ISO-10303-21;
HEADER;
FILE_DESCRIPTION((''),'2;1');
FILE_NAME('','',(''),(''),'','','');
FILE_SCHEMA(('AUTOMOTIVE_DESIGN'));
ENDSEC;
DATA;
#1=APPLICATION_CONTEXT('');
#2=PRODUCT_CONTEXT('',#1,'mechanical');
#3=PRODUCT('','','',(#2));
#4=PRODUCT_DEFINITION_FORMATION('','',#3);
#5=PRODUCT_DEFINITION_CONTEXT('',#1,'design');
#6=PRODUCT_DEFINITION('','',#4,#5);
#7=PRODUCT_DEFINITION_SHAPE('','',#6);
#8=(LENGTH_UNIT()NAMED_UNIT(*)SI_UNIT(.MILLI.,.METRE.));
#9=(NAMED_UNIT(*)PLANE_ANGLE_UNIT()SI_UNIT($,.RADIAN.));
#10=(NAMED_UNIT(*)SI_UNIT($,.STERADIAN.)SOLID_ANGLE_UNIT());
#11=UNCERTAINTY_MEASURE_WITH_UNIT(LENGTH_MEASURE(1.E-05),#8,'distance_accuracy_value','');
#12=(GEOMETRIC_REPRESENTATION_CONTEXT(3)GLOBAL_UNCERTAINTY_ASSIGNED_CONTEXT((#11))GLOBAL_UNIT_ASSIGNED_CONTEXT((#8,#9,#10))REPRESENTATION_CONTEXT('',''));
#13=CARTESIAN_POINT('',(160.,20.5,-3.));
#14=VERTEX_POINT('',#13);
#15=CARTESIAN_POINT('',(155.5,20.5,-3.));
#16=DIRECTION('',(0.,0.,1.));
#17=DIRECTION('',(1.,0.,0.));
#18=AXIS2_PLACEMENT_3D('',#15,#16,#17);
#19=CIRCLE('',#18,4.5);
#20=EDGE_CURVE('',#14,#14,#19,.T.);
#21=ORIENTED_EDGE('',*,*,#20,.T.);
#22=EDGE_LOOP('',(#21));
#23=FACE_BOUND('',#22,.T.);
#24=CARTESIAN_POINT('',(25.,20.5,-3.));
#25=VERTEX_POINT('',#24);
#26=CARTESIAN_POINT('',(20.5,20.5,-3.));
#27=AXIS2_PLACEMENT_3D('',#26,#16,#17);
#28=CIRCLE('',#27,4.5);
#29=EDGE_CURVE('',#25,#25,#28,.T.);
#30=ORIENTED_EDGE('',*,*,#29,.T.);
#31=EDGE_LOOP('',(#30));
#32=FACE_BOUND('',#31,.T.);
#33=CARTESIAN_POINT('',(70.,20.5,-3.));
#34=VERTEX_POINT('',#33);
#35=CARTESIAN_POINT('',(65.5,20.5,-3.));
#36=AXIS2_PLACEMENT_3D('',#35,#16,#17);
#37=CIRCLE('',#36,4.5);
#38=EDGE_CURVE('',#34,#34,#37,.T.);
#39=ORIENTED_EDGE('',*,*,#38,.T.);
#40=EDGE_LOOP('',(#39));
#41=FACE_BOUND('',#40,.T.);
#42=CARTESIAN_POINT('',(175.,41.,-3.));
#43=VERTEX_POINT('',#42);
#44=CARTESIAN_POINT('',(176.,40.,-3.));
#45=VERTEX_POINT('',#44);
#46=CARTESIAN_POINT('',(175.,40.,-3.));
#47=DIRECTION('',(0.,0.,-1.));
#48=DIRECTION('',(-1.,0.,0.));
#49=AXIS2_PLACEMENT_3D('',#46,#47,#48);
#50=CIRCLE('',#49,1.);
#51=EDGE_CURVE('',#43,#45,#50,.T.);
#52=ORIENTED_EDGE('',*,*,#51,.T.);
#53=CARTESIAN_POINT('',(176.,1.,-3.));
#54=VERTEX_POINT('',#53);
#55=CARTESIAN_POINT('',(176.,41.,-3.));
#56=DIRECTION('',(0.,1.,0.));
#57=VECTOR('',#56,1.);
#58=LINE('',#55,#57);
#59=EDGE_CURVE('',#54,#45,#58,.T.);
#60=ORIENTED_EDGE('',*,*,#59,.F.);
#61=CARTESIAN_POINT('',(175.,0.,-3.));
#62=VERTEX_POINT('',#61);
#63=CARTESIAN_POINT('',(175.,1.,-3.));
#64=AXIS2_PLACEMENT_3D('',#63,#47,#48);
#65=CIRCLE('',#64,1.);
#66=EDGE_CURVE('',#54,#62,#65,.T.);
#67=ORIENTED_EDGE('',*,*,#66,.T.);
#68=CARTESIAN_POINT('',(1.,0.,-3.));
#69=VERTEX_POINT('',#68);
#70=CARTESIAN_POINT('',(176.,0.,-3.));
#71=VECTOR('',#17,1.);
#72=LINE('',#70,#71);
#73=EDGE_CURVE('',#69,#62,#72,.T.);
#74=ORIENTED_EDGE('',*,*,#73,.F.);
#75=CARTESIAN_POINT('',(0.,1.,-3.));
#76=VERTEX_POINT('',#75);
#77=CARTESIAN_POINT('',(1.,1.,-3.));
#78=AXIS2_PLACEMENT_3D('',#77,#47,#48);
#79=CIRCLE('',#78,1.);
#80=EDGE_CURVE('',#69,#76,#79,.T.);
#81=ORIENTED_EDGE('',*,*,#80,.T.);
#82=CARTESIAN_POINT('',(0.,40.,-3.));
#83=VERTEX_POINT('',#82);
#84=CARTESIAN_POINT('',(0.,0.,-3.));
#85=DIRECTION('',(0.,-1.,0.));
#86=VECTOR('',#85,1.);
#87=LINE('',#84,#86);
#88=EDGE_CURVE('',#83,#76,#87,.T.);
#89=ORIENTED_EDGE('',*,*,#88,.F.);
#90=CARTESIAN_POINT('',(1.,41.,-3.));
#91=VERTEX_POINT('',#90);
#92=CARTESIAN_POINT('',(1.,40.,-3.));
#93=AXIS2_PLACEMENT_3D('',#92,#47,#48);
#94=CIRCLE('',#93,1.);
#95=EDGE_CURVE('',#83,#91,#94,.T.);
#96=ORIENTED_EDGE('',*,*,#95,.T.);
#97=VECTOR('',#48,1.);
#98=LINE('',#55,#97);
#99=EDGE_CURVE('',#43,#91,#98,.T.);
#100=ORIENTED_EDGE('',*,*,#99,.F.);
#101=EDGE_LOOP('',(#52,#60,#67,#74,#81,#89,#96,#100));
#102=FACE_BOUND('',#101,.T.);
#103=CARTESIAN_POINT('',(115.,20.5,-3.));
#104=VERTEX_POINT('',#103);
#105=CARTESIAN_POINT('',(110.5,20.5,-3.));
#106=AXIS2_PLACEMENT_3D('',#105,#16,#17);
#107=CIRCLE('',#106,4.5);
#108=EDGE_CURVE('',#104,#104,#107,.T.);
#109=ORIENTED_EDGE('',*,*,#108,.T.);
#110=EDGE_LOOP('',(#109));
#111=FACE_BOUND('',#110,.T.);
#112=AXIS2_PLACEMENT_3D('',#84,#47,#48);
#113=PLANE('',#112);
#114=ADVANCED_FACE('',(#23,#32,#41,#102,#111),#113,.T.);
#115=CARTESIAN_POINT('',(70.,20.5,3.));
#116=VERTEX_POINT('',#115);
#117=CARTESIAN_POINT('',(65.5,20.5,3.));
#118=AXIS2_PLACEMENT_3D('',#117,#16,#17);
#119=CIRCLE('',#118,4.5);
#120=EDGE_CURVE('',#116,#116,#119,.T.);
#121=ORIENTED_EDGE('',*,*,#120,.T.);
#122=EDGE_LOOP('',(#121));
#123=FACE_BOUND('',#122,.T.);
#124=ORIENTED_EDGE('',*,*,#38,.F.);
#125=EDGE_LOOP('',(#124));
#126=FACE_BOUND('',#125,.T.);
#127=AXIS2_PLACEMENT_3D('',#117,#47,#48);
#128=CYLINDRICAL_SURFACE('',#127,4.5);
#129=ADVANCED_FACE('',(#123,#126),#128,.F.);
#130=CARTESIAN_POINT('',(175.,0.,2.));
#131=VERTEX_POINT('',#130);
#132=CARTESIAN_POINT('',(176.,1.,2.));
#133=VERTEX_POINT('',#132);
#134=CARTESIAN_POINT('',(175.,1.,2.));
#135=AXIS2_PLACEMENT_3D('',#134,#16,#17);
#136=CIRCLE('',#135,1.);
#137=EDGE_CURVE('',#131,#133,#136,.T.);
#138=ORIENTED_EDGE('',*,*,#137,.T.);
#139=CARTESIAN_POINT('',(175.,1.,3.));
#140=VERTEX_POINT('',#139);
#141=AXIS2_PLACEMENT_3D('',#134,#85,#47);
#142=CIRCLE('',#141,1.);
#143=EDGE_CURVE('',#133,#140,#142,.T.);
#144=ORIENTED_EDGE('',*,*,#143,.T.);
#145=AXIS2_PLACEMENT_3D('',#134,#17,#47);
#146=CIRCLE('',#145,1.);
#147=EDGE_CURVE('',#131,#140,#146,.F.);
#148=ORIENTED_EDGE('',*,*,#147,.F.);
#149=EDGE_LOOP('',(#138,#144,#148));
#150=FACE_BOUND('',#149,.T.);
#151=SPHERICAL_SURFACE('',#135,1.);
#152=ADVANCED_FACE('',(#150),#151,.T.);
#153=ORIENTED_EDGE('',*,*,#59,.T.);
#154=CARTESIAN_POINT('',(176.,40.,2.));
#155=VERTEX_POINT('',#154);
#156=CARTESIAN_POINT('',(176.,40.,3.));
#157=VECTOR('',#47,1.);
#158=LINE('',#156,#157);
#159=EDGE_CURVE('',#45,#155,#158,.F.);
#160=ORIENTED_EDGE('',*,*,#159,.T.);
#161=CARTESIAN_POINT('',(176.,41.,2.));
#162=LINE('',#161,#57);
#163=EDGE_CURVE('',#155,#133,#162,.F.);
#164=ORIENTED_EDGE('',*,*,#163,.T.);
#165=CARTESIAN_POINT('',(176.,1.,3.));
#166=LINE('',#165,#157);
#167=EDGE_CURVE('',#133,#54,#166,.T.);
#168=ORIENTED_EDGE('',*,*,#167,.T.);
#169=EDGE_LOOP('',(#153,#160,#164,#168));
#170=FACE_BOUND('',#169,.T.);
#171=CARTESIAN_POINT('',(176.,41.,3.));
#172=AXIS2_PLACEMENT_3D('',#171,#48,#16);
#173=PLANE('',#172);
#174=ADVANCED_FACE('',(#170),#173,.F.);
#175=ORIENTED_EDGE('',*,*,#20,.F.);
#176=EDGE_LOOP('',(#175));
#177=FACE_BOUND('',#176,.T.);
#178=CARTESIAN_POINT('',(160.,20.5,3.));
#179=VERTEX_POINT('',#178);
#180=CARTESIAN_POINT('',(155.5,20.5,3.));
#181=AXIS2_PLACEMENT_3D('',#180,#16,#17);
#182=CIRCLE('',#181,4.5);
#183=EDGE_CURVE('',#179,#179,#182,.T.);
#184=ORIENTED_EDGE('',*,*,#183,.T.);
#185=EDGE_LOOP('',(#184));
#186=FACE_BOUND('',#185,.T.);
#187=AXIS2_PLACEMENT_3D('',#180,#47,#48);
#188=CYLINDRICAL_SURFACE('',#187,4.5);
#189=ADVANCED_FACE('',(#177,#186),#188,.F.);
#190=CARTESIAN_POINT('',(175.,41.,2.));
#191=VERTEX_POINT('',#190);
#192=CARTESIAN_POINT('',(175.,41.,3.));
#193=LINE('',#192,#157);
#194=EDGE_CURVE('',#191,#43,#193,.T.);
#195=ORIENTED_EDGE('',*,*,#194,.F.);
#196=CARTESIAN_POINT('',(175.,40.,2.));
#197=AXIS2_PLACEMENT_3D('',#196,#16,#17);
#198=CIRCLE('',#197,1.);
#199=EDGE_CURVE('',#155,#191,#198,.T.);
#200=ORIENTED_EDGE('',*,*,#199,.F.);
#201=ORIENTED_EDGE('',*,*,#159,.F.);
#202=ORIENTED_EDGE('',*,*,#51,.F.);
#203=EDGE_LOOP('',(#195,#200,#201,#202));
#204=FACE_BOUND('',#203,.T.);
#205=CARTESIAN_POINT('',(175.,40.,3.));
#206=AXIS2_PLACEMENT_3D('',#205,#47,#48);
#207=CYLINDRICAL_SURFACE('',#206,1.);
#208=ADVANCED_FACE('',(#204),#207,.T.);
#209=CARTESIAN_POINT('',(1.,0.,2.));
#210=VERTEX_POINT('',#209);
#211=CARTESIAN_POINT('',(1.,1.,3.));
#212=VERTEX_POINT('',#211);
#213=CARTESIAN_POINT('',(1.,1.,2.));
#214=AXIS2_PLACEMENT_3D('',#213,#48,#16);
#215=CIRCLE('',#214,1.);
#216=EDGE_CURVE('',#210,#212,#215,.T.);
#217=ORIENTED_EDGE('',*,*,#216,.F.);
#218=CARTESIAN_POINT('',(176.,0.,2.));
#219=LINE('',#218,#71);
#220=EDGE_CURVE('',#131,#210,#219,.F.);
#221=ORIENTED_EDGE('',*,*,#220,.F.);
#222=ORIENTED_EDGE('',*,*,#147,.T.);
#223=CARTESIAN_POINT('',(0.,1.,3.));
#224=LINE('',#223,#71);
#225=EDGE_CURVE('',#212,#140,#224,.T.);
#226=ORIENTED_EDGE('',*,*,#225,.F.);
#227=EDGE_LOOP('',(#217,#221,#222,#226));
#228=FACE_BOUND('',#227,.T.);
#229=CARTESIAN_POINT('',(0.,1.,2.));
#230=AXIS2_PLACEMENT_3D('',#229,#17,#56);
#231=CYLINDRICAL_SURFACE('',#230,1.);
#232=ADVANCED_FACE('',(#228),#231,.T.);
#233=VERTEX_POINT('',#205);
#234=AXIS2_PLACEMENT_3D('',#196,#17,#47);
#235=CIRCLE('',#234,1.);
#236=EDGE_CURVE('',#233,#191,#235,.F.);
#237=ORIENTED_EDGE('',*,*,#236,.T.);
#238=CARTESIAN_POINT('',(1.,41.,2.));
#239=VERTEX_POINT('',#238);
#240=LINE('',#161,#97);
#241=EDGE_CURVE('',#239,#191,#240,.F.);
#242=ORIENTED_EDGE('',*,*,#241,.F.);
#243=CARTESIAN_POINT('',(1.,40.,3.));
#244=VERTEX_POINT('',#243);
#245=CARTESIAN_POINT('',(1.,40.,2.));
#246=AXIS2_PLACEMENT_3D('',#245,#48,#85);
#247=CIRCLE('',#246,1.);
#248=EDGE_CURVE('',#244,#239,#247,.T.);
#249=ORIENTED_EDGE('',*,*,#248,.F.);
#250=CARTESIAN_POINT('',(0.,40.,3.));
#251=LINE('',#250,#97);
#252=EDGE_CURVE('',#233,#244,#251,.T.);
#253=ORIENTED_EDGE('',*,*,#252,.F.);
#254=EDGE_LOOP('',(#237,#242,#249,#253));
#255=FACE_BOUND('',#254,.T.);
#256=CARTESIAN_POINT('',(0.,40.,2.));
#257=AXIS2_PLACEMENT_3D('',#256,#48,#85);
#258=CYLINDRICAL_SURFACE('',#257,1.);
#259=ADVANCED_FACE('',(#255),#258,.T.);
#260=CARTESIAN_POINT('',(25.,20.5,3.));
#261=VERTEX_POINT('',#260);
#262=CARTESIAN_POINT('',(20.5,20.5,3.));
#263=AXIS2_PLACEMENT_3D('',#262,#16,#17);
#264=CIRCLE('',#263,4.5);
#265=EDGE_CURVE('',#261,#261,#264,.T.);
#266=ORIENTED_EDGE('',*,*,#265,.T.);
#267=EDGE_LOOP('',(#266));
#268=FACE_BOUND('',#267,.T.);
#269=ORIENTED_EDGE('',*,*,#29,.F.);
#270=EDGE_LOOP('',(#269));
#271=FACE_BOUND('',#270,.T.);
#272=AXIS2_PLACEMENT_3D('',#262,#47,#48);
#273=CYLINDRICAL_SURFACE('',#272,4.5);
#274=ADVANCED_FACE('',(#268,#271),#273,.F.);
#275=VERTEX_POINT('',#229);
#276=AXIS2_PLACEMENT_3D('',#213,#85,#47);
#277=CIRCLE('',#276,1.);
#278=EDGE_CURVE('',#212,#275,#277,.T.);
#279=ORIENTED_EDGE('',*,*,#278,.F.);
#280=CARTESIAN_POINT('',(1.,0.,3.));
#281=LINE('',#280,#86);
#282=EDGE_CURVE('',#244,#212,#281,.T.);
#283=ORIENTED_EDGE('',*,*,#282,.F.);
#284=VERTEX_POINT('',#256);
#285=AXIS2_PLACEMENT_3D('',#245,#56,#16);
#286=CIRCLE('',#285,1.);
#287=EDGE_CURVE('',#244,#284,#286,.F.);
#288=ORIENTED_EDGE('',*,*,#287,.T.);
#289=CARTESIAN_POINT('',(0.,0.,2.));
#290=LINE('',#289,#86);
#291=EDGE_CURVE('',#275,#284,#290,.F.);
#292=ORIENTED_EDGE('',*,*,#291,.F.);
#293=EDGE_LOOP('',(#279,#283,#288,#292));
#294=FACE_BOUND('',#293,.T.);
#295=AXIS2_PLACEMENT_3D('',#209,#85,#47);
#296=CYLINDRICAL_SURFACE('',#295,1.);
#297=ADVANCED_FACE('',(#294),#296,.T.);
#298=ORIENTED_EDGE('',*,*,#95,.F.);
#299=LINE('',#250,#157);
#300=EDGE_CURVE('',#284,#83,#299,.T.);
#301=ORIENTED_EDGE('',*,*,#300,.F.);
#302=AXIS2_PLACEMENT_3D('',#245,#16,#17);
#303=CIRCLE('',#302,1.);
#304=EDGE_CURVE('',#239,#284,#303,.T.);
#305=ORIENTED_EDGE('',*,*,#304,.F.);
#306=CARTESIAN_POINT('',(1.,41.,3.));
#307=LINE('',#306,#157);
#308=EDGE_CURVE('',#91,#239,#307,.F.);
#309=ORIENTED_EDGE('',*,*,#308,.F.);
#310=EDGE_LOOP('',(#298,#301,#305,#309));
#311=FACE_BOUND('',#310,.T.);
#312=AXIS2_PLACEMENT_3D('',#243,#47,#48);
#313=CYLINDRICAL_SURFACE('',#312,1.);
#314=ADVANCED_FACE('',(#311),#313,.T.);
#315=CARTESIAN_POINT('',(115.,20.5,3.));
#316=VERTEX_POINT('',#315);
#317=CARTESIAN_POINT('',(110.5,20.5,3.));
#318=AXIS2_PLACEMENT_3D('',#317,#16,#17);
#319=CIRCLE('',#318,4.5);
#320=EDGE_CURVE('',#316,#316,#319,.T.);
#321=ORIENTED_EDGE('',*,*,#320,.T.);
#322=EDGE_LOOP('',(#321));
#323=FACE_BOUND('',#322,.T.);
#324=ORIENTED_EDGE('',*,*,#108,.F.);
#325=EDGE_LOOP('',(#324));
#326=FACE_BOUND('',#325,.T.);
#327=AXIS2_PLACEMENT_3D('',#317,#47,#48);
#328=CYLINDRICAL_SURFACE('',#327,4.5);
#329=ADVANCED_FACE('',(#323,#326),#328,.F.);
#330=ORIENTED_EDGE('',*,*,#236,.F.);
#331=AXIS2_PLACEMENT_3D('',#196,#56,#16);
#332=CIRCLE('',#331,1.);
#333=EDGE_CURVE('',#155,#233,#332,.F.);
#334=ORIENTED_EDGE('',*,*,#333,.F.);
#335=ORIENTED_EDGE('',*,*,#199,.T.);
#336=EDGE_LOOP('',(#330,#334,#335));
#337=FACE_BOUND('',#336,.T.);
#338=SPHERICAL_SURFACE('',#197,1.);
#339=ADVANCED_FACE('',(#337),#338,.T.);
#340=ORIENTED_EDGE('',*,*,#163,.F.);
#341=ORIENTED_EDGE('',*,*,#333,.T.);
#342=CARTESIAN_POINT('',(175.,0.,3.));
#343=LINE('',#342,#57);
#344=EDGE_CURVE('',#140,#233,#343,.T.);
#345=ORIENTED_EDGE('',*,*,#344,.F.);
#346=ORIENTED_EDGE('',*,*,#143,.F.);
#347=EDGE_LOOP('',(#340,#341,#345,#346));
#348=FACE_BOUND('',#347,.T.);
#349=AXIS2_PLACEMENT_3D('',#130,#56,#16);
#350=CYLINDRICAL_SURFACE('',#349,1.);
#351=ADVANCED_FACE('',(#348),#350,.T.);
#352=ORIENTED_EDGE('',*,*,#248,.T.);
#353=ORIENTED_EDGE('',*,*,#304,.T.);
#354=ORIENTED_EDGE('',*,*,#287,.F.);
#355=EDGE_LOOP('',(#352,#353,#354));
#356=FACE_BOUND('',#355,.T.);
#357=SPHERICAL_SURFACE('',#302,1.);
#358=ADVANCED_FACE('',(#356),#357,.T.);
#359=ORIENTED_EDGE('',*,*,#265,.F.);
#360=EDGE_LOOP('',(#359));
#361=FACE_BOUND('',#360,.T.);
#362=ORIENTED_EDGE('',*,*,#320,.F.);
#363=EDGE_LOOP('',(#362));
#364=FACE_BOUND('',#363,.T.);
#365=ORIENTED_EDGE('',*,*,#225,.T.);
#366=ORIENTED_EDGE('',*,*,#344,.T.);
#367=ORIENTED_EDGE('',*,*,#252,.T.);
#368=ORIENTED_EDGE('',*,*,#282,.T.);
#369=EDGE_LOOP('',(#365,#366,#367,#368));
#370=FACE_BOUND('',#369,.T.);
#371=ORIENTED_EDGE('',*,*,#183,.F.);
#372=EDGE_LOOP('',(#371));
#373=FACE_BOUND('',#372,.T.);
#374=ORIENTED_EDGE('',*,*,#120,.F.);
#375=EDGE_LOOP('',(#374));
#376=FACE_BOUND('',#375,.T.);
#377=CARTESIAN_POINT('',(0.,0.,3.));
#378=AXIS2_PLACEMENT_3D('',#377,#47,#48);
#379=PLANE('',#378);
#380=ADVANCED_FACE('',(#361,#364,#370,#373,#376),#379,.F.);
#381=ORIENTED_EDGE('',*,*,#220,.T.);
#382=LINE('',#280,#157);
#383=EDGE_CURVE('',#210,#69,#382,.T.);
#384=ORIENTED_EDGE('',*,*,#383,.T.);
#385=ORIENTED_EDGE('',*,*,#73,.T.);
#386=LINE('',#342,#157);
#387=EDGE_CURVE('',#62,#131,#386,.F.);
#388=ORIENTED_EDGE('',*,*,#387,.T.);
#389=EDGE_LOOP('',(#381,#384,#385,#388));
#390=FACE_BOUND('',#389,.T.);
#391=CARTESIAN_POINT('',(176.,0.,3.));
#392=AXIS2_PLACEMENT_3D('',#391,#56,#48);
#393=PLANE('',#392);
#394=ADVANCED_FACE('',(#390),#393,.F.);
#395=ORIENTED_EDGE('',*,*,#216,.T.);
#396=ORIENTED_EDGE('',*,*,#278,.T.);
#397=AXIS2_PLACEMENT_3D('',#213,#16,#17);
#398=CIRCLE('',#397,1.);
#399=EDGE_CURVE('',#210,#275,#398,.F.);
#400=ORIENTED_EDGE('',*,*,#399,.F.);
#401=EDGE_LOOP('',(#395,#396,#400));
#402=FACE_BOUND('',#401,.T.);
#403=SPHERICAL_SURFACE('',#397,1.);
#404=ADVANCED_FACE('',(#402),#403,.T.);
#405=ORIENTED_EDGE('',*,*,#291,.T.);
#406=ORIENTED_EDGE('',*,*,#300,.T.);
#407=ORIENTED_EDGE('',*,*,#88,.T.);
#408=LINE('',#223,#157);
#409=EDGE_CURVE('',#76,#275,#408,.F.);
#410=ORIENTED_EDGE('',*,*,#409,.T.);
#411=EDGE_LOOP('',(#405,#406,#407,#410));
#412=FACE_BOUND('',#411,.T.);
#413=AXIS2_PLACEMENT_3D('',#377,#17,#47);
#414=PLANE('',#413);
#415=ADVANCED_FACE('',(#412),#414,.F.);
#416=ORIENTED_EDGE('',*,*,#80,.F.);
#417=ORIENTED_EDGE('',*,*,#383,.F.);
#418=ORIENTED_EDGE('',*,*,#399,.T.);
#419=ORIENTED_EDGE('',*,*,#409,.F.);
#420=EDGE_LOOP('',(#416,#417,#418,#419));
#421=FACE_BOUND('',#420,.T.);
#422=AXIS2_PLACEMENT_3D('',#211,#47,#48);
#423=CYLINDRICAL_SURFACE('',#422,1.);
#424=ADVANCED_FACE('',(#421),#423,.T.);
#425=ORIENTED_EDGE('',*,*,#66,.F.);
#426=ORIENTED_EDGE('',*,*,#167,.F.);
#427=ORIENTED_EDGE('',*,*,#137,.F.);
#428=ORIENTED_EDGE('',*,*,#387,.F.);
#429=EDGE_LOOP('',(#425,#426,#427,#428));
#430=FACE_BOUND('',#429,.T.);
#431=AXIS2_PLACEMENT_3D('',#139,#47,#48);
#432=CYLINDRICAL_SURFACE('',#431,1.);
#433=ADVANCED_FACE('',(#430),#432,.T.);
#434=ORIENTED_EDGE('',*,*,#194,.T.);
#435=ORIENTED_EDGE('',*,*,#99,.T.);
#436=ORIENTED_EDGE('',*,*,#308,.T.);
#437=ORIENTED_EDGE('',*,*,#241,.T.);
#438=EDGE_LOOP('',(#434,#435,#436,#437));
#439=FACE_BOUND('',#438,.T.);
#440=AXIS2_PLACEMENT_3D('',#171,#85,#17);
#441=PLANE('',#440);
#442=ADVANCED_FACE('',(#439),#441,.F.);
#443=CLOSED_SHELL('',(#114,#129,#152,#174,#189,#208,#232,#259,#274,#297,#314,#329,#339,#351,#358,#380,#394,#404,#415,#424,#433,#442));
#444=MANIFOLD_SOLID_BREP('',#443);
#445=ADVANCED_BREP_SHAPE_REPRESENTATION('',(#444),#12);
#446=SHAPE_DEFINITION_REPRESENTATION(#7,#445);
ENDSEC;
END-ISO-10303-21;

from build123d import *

# Parameters (mm, degrees)
SKETCH1_W           = 176
SKETCH1_H           = 41
SKETCH1_R           = 4.5
BOSS_EXTRUDE1_DEPTH = 3
FILLET1_R           = 1


with BuildPart() as part:
    # Sketch1 → Boss-Extrude1 (new, symmetric)
    with BuildSketch(Plane.XY):
        with Locations((88, 20.5)):
            Rectangle(SKETCH1_W, SKETCH1_H)
        with Locations((20.5, 20.5)):
            Circle(SKETCH1_R, mode=Mode.SUBTRACT)
        with Locations((65.5, 20.5)):
            Circle(SKETCH1_R, mode=Mode.SUBTRACT)
        with Locations((110.5, 20.5)):
            Circle(SKETCH1_R, mode=Mode.SUBTRACT)
        with Locations((155.5, 20.5)):
            Circle(SKETCH1_R, mode=Mode.SUBTRACT)
    extrude(amount=BOSS_EXTRUDE1_DEPTH, both=True)

    # Fillet1
    fillet1_edges = [part.edges().sort_by_distance(p)[0] for p in [
        (88, 41, 3),
        (0, 20.5, 3),
        (88, 0, 3),
        (176, 20.5, 3),
        (0, 0, 0),
        (0, 41, 0),
        (176, 41, 0),
        (176, 0, 0),
    ]]
    fillet(fillet1_edges, radius=FILLET1_R)


solid = part.part
